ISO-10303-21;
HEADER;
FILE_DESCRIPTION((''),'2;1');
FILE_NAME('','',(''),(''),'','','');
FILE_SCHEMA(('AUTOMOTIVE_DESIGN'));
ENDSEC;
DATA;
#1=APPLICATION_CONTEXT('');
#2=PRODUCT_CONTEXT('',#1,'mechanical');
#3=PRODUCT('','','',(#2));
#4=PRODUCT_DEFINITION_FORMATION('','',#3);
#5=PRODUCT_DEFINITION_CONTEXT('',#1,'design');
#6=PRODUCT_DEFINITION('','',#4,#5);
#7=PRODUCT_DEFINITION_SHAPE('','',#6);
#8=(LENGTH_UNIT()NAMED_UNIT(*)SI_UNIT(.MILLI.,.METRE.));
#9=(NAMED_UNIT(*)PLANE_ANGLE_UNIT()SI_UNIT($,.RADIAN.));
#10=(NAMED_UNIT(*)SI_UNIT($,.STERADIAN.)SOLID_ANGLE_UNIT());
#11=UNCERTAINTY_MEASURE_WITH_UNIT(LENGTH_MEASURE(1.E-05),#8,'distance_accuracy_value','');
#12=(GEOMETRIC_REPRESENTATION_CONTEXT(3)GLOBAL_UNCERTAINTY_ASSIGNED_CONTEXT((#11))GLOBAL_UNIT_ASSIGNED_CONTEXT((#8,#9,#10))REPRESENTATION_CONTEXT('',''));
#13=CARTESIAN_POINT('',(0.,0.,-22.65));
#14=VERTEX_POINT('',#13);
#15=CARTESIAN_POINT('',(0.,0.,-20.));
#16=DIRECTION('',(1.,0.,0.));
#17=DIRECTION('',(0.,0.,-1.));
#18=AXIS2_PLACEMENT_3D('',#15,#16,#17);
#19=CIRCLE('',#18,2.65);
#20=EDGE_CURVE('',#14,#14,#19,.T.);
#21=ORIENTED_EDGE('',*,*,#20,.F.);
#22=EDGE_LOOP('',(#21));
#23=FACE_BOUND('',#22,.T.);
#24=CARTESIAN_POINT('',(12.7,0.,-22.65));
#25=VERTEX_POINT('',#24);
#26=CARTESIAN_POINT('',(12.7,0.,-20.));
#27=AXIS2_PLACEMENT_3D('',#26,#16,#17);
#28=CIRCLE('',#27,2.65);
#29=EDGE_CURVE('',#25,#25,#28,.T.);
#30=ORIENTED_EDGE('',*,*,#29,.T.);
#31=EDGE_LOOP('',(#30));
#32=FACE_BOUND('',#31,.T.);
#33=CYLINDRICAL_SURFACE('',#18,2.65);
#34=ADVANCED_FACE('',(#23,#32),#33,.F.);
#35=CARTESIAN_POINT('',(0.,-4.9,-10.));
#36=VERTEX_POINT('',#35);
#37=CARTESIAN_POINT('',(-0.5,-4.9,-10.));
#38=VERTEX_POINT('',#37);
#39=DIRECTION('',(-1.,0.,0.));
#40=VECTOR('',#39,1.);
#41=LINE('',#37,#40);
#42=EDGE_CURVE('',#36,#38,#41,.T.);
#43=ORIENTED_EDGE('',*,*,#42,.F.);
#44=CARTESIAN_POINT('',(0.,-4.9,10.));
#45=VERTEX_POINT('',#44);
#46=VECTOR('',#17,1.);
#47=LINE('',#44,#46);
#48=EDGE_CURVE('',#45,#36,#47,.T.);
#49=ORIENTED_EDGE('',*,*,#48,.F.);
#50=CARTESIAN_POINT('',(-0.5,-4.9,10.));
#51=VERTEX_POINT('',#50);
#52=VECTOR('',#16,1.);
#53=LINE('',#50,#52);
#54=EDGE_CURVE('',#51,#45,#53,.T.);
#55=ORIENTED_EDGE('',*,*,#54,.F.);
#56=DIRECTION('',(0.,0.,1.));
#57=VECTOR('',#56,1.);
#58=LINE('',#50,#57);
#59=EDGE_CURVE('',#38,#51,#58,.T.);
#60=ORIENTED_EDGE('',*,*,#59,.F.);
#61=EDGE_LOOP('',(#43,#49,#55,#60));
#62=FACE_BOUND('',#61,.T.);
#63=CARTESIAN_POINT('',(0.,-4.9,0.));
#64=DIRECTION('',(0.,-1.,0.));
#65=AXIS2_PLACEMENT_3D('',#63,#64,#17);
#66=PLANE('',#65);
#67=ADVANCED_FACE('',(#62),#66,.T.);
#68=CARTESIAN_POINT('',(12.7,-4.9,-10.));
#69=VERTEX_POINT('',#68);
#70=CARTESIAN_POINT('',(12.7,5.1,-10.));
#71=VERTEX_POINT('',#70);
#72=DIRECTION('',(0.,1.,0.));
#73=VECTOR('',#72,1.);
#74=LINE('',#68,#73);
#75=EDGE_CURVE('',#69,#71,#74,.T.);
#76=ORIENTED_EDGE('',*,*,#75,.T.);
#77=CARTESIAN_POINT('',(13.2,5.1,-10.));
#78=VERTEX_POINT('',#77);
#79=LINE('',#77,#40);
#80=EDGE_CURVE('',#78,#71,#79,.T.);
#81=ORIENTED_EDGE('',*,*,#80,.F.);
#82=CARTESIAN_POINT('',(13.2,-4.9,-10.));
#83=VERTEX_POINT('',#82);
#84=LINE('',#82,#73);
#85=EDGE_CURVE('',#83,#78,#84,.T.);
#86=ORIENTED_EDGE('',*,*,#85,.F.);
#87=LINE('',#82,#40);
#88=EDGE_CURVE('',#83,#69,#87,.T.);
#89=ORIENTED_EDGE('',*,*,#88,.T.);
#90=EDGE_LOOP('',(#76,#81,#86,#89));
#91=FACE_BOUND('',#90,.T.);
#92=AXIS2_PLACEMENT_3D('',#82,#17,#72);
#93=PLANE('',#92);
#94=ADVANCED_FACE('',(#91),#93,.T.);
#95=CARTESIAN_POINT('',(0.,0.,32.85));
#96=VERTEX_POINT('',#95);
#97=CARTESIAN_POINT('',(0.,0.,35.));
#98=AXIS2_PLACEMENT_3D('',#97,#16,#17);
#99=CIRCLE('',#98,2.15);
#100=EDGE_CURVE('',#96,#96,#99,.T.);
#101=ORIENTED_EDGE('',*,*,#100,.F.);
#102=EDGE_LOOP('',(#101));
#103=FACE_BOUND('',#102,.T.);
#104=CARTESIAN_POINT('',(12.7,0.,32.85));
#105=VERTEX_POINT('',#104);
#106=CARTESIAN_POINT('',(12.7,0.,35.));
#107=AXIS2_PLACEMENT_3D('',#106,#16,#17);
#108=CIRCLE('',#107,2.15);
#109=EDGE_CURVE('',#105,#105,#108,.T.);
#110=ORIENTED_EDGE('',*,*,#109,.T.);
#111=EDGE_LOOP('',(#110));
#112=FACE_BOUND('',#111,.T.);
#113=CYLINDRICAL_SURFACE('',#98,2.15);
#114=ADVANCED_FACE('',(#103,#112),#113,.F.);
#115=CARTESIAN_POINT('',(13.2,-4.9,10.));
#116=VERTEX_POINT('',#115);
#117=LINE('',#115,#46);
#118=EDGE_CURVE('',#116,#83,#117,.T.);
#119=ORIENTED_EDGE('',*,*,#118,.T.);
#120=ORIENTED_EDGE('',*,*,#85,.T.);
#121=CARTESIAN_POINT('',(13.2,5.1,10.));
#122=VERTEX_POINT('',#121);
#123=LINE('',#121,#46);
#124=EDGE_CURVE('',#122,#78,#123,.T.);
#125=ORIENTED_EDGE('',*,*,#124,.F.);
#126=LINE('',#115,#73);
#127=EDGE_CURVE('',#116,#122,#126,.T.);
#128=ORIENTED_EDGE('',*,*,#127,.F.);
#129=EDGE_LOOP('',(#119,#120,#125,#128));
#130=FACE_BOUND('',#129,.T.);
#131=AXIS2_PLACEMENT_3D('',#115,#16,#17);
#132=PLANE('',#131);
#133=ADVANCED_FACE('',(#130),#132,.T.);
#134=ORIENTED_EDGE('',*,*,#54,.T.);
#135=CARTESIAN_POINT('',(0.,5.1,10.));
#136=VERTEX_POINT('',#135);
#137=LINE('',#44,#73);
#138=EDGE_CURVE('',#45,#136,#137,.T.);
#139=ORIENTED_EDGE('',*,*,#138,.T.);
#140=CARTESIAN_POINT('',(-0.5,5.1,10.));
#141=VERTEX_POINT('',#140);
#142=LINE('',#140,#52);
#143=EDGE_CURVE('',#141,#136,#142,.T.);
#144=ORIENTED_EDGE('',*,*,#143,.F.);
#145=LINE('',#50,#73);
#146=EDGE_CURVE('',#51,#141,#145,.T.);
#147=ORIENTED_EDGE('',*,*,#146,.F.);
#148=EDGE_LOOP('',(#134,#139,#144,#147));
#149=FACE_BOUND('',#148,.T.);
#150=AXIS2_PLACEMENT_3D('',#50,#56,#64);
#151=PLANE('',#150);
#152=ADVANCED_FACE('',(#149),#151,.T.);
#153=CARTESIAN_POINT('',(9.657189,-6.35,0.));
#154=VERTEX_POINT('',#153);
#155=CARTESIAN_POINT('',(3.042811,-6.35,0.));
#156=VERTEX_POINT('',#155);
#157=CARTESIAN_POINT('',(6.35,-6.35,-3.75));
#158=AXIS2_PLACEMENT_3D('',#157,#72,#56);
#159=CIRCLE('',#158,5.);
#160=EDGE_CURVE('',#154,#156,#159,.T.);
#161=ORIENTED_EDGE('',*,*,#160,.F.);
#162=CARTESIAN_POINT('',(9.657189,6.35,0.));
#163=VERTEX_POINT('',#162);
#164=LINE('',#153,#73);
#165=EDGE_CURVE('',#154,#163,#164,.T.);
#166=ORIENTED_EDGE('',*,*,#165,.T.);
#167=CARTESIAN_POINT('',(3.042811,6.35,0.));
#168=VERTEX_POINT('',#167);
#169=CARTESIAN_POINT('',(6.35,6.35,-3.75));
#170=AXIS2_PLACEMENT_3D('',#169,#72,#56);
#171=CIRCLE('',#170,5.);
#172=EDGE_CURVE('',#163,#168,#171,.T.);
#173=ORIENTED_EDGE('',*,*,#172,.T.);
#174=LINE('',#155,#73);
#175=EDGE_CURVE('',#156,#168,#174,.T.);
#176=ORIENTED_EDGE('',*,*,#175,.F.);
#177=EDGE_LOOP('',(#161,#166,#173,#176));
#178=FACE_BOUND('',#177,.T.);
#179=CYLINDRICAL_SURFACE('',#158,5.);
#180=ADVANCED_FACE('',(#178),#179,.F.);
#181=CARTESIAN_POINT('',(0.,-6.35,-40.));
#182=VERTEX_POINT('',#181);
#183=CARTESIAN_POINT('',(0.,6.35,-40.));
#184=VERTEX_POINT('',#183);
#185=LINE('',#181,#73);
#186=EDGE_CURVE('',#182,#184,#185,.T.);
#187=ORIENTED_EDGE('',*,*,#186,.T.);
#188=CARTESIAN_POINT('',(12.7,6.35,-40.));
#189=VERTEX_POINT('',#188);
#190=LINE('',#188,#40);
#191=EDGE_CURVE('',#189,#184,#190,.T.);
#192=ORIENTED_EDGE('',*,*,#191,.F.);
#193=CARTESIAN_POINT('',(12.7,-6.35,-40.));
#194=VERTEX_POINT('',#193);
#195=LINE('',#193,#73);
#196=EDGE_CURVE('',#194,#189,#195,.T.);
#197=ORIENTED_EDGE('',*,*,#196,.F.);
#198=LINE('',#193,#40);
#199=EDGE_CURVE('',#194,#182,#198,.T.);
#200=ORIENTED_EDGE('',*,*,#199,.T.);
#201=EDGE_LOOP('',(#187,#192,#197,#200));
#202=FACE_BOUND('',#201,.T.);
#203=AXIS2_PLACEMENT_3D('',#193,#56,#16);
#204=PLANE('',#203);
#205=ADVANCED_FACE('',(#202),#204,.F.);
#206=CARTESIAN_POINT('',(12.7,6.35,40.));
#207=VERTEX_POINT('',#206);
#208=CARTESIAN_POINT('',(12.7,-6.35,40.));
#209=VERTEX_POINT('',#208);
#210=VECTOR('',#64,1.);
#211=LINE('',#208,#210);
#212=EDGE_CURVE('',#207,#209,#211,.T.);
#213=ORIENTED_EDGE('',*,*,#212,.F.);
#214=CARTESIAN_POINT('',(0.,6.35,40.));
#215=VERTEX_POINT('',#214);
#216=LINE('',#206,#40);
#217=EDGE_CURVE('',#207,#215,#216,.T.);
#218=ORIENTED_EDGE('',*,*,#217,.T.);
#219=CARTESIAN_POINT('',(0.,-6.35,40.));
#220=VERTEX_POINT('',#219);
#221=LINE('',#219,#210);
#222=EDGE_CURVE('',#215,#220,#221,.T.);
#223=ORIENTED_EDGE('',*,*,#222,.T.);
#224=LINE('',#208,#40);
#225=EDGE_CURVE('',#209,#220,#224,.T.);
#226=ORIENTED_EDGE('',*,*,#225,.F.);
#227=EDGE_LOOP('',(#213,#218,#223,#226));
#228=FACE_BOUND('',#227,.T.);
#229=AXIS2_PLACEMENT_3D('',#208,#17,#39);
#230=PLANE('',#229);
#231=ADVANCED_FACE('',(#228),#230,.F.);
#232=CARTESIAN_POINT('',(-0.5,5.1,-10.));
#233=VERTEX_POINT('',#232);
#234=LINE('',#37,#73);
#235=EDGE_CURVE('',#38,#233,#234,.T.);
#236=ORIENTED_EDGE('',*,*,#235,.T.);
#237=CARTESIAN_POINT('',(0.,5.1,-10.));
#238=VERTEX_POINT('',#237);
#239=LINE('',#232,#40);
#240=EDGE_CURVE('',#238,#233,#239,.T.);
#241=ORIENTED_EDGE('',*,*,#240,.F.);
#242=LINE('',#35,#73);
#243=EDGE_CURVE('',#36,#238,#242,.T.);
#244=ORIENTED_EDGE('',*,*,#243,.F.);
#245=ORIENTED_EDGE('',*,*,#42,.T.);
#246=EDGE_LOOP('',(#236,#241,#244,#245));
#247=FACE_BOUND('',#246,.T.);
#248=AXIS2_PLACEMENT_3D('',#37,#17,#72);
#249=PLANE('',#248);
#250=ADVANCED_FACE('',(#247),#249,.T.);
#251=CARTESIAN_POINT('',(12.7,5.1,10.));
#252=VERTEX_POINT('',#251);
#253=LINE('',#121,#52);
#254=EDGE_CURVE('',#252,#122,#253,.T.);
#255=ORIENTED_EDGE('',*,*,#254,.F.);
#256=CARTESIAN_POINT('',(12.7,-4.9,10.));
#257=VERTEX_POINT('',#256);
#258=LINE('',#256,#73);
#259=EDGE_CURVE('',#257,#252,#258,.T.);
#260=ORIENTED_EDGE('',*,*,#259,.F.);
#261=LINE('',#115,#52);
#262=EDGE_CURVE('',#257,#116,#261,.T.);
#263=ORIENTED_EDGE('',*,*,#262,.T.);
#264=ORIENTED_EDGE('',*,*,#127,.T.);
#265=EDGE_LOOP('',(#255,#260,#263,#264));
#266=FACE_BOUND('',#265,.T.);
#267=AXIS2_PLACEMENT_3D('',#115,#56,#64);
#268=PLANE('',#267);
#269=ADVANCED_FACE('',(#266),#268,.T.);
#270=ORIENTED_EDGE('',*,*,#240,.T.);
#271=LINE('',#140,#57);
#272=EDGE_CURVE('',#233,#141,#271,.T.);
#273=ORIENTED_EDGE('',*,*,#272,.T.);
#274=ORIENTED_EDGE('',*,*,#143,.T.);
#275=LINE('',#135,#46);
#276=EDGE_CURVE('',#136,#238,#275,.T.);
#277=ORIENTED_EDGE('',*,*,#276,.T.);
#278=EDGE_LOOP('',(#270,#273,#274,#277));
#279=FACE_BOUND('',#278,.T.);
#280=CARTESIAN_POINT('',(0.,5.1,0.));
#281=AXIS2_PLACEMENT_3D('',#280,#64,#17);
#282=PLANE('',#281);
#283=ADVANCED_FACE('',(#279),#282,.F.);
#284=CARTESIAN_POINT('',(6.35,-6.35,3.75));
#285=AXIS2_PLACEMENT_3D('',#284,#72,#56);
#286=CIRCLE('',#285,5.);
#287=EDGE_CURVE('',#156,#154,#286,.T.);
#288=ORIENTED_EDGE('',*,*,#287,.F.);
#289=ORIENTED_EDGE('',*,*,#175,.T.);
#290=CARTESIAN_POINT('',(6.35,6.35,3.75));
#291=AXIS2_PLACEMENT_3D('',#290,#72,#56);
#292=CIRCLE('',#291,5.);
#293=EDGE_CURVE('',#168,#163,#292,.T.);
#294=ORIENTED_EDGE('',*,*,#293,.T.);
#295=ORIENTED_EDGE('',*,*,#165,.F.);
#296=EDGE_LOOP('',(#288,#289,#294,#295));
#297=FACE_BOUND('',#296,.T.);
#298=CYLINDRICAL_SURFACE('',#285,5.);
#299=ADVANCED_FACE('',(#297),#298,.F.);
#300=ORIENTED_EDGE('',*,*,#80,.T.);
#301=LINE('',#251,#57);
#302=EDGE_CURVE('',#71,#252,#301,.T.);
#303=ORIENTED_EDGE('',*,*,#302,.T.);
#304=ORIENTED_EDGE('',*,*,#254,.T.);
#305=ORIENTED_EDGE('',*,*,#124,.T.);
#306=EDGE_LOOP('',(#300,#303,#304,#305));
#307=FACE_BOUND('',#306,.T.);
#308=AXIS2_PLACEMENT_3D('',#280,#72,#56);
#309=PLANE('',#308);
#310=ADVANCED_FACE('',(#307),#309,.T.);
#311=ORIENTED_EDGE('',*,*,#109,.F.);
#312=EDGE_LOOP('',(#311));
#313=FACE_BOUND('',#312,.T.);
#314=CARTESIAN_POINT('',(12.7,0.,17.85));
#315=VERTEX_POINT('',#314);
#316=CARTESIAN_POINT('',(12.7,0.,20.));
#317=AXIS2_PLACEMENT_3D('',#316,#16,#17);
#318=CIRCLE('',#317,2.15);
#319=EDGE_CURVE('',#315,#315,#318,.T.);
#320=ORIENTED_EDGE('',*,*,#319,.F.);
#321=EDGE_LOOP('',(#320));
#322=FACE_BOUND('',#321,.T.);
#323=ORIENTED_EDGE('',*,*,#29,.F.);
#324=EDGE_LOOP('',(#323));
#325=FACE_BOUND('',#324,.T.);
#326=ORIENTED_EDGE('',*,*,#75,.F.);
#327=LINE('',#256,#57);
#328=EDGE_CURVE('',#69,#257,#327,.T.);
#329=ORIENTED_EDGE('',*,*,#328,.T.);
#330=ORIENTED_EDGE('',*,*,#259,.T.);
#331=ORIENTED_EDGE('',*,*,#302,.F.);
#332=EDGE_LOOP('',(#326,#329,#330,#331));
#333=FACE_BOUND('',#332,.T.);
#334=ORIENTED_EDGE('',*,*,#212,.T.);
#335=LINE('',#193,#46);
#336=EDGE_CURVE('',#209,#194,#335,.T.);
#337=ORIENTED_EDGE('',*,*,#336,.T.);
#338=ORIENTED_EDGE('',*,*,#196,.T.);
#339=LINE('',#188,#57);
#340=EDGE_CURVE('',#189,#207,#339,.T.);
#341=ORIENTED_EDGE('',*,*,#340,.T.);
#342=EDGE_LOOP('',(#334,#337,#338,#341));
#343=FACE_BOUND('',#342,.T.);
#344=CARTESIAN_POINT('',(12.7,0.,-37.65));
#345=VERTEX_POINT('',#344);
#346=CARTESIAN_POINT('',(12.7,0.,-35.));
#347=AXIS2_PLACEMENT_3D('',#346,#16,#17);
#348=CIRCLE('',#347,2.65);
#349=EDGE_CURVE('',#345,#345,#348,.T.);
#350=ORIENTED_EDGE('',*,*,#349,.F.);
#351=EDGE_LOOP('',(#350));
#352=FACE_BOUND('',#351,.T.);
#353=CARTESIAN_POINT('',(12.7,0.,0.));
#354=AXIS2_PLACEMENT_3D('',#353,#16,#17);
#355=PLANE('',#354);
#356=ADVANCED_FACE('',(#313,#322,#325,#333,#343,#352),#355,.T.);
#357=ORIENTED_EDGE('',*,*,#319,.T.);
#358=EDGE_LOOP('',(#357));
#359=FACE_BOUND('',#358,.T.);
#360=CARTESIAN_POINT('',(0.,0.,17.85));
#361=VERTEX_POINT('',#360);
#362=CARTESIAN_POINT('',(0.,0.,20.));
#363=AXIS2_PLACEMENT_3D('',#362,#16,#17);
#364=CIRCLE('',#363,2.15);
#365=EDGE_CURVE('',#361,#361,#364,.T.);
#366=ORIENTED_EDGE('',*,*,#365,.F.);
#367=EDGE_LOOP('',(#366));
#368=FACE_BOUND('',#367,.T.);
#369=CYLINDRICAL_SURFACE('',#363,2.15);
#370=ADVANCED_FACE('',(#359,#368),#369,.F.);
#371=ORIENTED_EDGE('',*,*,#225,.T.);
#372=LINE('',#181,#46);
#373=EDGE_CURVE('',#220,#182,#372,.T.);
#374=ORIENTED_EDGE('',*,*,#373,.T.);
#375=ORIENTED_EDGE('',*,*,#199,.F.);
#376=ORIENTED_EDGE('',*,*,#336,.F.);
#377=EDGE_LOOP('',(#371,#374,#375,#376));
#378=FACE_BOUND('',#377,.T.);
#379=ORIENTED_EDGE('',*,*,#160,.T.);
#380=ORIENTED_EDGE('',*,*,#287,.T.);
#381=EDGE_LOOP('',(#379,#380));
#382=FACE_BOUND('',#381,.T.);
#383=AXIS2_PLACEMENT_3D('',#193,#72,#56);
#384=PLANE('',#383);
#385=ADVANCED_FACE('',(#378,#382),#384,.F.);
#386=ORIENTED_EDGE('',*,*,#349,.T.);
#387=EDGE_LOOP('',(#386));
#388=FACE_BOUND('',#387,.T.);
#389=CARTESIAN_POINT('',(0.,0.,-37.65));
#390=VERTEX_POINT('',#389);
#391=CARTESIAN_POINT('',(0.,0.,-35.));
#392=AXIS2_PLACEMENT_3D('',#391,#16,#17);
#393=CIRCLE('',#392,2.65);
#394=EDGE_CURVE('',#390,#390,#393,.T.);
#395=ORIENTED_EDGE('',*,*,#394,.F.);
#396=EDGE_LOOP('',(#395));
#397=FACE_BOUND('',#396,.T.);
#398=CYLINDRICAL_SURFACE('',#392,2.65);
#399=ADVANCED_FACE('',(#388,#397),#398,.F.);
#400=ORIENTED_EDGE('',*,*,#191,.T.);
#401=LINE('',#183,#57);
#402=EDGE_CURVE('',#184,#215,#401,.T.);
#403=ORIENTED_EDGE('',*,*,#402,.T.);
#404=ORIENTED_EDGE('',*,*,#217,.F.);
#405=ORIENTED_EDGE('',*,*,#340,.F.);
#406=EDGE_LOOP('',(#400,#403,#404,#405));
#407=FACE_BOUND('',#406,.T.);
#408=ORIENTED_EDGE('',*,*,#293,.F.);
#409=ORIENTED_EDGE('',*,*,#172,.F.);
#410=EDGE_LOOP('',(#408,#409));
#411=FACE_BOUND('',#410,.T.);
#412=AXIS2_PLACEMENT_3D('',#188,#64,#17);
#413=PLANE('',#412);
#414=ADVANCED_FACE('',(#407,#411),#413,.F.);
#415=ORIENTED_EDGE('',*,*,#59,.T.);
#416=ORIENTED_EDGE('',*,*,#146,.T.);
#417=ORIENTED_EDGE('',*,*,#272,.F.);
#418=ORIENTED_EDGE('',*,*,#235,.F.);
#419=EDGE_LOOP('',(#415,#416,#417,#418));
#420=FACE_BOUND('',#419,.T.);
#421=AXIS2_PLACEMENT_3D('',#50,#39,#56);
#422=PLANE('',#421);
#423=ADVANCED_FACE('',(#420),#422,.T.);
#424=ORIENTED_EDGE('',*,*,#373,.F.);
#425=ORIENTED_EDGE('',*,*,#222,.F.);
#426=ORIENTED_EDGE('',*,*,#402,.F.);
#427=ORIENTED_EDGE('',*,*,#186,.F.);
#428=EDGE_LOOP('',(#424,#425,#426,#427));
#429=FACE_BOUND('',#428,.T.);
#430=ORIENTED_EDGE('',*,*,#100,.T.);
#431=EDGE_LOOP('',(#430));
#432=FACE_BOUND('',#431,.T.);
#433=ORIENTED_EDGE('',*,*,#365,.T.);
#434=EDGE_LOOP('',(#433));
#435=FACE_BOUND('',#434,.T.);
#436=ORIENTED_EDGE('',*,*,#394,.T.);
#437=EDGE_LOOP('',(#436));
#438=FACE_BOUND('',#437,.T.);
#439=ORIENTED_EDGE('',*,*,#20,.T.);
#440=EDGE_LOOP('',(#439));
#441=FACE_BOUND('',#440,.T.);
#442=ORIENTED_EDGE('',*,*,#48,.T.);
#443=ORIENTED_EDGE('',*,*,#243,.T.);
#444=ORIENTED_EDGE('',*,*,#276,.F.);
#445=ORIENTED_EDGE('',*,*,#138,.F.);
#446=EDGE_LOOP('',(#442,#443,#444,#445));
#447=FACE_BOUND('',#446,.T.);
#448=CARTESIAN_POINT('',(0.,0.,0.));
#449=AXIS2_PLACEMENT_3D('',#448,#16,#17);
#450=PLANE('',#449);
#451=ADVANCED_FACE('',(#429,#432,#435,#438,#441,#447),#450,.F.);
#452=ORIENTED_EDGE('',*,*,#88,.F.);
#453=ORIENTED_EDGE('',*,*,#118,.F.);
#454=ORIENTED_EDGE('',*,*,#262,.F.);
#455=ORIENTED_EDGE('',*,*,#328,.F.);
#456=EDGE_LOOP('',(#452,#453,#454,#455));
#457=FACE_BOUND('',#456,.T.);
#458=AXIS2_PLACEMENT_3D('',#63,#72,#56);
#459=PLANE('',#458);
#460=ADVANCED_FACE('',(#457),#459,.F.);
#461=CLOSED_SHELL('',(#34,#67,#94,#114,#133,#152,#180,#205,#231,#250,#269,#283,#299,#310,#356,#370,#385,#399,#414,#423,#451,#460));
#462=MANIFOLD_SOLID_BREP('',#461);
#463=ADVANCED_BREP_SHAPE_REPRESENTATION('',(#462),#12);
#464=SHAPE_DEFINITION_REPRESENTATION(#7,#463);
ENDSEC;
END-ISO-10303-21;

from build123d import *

# Parameters (mm, degrees)
SKETCH1_W           = 80
SKETCH1_H           = 12.7
BOSS_EXTRUDE1_DEPTH = 12.7
SKETCH2_R           = 5
CUT_EXTRUDE1_DEPTH  = 13.7
SKETCH3_R           = 2.15
SKETCH3_R_2         = 2.65
CUT_EXTRUDE2_DEPTH  = 13.7
BOSS_EXTRUDE2_START = -1.25
SKETCH4_W           = 0.5
SKETCH4_H           = 20
BOSS_EXTRUDE2_DEPTH = 10


with BuildPart() as part:
    # Sketch1 → Boss-Extrude1 (new body)
    with BuildSketch(Plane(origin=(0, 0, 0), x_dir=(0, 0, -1), z_dir=(1, 0, 0))):
        Rectangle(SKETCH1_W, SKETCH1_H)
    extrude(amount=BOSS_EXTRUDE1_DEPTH)

    # Sketch2 → Cut-Extrude1 (cut, through all)
    with BuildSketch(Plane(origin=(0, 6.35, 0), x_dir=(1, 0, 0), z_dir=(0, 1, 0))):
        with Locations((6.35, -3.75)):
            Circle(SKETCH2_R)
        with Locations((6.35, 3.75)):
            Circle(SKETCH2_R)
    extrude(amount=-CUT_EXTRUDE1_DEPTH, mode=Mode.SUBTRACT)

    # Sketch3 → Cut-Extrude2 (cut, through all)
    with BuildSketch(Plane(origin=(12.7, 0, 0), x_dir=(0, 0, -1), z_dir=(1, 0, 0))):
        with Locations((-35, 0)):
            Circle(SKETCH3_R)
        with Locations((-20, 0)):
            Circle(SKETCH3_R)
        with Locations((20, 0)):
            Circle(SKETCH3_R_2)
        with Locations((35, 0)):
            Circle(SKETCH3_R_2)
    extrude(amount=-CUT_EXTRUDE2_DEPTH, mode=Mode.SUBTRACT)

    # Sketch4 → Boss-Extrude2 (add)
    with BuildSketch(Plane(origin=(0, 6.35, 0), x_dir=(1, 0, 0), z_dir=(0, 1, 0)).offset(BOSS_EXTRUDE2_START)):
        with Locations((-0.25, 0)):
            Rectangle(SKETCH4_W, SKETCH4_H)
        with Locations((12.95, 0)):
            Rectangle(SKETCH4_W, SKETCH4_H)
    extrude(amount=-BOSS_EXTRUDE2_DEPTH)


solid = part.part
